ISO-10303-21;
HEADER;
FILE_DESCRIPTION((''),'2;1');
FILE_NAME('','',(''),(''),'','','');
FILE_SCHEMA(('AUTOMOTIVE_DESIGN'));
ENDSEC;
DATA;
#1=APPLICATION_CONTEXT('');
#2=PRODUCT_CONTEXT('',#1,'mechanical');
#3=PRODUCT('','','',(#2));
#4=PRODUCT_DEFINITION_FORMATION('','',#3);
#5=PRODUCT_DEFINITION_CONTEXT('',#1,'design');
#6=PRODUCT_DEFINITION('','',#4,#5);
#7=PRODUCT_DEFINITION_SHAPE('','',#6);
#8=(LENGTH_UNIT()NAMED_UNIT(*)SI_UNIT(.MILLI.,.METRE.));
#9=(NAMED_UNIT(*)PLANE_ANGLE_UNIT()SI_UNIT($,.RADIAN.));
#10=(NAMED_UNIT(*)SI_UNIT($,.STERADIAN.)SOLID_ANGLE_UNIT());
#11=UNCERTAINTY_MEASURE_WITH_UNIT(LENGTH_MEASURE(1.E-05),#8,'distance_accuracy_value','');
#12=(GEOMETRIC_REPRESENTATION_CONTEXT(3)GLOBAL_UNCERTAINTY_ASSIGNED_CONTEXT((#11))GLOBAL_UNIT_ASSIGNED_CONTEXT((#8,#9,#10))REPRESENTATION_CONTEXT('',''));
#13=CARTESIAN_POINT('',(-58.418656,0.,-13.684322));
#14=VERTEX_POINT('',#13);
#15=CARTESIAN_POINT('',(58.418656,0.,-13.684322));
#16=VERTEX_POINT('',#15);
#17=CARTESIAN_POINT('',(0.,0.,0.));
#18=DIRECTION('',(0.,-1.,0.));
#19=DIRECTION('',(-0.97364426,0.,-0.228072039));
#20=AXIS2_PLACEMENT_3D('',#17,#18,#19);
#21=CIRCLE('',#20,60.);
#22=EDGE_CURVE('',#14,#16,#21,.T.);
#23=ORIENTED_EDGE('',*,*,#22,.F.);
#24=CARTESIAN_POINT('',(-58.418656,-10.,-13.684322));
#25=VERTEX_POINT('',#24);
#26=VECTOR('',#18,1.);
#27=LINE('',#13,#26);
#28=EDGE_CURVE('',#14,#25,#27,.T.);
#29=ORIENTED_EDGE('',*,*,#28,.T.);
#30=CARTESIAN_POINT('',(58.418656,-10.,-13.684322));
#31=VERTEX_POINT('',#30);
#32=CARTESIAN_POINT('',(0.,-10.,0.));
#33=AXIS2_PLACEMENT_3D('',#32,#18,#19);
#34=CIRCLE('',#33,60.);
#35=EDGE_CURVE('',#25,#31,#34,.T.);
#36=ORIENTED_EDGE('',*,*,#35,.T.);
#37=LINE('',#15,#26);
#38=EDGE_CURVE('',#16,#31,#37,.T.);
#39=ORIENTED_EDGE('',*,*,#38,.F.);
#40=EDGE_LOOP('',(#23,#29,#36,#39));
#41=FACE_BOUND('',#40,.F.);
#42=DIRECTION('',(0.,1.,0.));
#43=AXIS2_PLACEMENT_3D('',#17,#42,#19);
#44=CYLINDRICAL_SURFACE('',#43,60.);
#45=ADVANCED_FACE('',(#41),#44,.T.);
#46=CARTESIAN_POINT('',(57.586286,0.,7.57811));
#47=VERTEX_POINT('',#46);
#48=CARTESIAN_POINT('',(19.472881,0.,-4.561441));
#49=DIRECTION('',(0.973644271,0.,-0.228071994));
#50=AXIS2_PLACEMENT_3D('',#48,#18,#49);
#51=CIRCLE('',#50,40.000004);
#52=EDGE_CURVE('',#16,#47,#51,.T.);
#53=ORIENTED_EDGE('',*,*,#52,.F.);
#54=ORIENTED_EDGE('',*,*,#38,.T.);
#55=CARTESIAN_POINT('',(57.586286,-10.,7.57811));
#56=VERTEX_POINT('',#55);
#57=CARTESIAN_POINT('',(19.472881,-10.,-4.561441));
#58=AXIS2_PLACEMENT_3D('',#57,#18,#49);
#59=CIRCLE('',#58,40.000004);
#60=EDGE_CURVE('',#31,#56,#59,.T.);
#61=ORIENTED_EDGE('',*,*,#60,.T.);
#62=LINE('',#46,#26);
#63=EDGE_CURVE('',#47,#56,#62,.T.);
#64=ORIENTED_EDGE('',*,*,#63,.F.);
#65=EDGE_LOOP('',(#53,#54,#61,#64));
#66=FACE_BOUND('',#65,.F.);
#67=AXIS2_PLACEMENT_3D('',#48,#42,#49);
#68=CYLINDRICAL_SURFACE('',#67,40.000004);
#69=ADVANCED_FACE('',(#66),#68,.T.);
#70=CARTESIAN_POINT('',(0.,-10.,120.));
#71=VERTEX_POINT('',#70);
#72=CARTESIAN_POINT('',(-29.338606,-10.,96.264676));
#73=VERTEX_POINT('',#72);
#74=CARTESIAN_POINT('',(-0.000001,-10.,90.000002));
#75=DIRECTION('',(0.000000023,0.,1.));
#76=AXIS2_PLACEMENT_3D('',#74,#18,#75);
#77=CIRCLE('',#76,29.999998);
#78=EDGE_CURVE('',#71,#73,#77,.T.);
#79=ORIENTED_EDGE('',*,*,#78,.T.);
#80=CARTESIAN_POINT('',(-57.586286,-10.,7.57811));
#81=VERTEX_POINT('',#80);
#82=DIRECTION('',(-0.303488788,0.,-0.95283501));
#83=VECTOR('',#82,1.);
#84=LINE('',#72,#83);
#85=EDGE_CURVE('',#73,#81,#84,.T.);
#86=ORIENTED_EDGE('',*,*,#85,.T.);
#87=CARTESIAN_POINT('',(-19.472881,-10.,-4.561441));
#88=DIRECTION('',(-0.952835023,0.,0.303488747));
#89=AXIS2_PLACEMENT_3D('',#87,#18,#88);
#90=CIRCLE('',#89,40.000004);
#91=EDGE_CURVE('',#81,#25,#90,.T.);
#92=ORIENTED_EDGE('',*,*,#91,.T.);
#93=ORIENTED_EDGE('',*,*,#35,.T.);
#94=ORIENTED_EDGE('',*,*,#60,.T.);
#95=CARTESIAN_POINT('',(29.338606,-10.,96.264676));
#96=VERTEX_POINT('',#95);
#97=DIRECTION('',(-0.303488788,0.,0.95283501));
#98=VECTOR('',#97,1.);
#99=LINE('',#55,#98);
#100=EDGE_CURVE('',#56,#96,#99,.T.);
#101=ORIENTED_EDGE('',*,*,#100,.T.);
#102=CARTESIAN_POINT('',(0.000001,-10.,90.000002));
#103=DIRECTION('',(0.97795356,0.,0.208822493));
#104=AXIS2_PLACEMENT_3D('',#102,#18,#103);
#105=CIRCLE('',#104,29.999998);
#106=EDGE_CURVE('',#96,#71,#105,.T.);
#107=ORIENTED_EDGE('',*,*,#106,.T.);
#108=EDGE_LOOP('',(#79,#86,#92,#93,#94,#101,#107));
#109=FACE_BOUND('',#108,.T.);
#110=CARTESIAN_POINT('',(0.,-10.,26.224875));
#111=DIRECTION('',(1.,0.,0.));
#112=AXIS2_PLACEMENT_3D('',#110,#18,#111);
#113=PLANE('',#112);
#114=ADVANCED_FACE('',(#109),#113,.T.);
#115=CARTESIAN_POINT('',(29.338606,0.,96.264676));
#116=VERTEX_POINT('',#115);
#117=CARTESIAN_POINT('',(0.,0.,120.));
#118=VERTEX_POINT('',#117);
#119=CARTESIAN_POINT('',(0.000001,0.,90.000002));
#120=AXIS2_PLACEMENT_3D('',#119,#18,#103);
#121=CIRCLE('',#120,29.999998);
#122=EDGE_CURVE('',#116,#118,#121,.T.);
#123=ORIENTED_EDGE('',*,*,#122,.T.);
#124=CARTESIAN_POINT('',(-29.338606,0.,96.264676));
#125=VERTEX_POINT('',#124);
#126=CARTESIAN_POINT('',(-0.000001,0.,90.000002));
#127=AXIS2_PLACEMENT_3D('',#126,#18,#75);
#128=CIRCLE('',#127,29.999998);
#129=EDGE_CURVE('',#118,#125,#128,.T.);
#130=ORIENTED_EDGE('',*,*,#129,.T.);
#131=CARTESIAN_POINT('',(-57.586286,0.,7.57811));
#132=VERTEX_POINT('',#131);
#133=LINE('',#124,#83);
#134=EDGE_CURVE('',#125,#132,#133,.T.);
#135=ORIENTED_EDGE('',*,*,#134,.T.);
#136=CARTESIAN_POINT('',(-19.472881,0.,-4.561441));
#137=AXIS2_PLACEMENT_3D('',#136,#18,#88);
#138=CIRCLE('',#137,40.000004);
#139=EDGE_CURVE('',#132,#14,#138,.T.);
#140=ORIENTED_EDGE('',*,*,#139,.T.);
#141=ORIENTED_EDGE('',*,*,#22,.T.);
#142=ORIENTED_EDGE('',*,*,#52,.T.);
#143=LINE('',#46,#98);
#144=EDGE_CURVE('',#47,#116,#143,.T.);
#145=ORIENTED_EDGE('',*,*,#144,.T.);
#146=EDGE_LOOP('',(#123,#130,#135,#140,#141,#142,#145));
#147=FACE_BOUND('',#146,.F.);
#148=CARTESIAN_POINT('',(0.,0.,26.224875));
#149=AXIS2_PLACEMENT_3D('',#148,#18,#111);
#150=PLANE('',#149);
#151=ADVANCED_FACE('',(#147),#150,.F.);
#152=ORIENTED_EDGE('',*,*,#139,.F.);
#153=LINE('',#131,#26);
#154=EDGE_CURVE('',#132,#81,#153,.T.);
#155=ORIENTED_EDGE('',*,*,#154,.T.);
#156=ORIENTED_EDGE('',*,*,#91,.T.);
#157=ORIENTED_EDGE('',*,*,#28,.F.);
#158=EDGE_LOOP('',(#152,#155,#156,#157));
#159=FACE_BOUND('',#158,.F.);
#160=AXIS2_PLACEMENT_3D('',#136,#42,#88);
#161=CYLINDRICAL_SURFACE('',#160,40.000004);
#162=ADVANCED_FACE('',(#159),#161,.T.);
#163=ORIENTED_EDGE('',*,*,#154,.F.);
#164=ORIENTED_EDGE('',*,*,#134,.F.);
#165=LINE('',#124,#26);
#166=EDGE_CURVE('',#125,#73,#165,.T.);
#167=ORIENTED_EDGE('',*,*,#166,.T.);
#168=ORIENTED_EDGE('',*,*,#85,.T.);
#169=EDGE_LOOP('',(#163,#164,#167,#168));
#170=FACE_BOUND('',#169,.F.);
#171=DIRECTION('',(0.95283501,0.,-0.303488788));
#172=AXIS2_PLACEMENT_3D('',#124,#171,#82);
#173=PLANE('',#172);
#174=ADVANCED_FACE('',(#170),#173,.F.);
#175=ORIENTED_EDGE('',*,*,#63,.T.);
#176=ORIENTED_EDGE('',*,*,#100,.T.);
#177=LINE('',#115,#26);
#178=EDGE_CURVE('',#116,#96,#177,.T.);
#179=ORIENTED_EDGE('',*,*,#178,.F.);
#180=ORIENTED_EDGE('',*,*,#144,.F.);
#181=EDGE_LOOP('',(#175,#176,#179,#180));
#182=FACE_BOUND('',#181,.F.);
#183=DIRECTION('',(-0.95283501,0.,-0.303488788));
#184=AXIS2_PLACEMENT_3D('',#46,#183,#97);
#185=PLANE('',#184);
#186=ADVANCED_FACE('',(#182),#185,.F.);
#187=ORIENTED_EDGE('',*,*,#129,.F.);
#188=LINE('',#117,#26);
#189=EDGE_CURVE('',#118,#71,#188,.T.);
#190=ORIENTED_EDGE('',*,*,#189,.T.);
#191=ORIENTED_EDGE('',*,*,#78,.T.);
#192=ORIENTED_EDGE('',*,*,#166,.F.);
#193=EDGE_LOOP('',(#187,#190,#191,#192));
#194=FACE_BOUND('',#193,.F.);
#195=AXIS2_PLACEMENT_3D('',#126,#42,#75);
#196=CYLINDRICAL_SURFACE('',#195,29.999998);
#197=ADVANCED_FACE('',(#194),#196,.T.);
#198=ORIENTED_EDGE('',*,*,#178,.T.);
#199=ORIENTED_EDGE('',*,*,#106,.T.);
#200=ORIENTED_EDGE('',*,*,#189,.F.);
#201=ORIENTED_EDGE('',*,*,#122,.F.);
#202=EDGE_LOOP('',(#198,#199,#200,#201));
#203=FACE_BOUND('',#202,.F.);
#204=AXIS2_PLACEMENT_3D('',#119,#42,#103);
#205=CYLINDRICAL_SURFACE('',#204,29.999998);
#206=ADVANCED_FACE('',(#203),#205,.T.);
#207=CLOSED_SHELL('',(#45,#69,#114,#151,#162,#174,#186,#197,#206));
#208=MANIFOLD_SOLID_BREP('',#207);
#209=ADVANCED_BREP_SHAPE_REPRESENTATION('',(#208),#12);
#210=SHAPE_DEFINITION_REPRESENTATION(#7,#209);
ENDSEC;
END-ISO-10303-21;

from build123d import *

# Parameters (mm, degrees)
F1_DEPTH = 10


with BuildPart() as f1:
    # F0 (on Front) → F1 (new body)
    with BuildSketch(Plane.XZ):
        with BuildLine():
            ThreePointArc((-57.586286, 7.57811), (-59.44227, -2.996741), (-58.418656, -13.684322))
            ThreePointArc((-58.418656, -13.684322), (0, -60), (58.418656, -13.684322))
            ThreePointArc((58.418656, -13.684322), (59.44227, -2.996741), (57.586286, 7.57811))
            Line((57.586286, 7.57811), (29.338606, 96.264676))
            ThreePointArc((29.338606, 96.264676), (18.868753, 113.323168), (0, 120))
            ThreePointArc((0, 120), (-18.868753, 113.323168), (-29.338606, 96.264676))
            Line((-29.338606, 96.264676), (-57.586286, 7.57811))
        make_face()
    extrude(amount=F1_DEPTH)


solid = f1.part
